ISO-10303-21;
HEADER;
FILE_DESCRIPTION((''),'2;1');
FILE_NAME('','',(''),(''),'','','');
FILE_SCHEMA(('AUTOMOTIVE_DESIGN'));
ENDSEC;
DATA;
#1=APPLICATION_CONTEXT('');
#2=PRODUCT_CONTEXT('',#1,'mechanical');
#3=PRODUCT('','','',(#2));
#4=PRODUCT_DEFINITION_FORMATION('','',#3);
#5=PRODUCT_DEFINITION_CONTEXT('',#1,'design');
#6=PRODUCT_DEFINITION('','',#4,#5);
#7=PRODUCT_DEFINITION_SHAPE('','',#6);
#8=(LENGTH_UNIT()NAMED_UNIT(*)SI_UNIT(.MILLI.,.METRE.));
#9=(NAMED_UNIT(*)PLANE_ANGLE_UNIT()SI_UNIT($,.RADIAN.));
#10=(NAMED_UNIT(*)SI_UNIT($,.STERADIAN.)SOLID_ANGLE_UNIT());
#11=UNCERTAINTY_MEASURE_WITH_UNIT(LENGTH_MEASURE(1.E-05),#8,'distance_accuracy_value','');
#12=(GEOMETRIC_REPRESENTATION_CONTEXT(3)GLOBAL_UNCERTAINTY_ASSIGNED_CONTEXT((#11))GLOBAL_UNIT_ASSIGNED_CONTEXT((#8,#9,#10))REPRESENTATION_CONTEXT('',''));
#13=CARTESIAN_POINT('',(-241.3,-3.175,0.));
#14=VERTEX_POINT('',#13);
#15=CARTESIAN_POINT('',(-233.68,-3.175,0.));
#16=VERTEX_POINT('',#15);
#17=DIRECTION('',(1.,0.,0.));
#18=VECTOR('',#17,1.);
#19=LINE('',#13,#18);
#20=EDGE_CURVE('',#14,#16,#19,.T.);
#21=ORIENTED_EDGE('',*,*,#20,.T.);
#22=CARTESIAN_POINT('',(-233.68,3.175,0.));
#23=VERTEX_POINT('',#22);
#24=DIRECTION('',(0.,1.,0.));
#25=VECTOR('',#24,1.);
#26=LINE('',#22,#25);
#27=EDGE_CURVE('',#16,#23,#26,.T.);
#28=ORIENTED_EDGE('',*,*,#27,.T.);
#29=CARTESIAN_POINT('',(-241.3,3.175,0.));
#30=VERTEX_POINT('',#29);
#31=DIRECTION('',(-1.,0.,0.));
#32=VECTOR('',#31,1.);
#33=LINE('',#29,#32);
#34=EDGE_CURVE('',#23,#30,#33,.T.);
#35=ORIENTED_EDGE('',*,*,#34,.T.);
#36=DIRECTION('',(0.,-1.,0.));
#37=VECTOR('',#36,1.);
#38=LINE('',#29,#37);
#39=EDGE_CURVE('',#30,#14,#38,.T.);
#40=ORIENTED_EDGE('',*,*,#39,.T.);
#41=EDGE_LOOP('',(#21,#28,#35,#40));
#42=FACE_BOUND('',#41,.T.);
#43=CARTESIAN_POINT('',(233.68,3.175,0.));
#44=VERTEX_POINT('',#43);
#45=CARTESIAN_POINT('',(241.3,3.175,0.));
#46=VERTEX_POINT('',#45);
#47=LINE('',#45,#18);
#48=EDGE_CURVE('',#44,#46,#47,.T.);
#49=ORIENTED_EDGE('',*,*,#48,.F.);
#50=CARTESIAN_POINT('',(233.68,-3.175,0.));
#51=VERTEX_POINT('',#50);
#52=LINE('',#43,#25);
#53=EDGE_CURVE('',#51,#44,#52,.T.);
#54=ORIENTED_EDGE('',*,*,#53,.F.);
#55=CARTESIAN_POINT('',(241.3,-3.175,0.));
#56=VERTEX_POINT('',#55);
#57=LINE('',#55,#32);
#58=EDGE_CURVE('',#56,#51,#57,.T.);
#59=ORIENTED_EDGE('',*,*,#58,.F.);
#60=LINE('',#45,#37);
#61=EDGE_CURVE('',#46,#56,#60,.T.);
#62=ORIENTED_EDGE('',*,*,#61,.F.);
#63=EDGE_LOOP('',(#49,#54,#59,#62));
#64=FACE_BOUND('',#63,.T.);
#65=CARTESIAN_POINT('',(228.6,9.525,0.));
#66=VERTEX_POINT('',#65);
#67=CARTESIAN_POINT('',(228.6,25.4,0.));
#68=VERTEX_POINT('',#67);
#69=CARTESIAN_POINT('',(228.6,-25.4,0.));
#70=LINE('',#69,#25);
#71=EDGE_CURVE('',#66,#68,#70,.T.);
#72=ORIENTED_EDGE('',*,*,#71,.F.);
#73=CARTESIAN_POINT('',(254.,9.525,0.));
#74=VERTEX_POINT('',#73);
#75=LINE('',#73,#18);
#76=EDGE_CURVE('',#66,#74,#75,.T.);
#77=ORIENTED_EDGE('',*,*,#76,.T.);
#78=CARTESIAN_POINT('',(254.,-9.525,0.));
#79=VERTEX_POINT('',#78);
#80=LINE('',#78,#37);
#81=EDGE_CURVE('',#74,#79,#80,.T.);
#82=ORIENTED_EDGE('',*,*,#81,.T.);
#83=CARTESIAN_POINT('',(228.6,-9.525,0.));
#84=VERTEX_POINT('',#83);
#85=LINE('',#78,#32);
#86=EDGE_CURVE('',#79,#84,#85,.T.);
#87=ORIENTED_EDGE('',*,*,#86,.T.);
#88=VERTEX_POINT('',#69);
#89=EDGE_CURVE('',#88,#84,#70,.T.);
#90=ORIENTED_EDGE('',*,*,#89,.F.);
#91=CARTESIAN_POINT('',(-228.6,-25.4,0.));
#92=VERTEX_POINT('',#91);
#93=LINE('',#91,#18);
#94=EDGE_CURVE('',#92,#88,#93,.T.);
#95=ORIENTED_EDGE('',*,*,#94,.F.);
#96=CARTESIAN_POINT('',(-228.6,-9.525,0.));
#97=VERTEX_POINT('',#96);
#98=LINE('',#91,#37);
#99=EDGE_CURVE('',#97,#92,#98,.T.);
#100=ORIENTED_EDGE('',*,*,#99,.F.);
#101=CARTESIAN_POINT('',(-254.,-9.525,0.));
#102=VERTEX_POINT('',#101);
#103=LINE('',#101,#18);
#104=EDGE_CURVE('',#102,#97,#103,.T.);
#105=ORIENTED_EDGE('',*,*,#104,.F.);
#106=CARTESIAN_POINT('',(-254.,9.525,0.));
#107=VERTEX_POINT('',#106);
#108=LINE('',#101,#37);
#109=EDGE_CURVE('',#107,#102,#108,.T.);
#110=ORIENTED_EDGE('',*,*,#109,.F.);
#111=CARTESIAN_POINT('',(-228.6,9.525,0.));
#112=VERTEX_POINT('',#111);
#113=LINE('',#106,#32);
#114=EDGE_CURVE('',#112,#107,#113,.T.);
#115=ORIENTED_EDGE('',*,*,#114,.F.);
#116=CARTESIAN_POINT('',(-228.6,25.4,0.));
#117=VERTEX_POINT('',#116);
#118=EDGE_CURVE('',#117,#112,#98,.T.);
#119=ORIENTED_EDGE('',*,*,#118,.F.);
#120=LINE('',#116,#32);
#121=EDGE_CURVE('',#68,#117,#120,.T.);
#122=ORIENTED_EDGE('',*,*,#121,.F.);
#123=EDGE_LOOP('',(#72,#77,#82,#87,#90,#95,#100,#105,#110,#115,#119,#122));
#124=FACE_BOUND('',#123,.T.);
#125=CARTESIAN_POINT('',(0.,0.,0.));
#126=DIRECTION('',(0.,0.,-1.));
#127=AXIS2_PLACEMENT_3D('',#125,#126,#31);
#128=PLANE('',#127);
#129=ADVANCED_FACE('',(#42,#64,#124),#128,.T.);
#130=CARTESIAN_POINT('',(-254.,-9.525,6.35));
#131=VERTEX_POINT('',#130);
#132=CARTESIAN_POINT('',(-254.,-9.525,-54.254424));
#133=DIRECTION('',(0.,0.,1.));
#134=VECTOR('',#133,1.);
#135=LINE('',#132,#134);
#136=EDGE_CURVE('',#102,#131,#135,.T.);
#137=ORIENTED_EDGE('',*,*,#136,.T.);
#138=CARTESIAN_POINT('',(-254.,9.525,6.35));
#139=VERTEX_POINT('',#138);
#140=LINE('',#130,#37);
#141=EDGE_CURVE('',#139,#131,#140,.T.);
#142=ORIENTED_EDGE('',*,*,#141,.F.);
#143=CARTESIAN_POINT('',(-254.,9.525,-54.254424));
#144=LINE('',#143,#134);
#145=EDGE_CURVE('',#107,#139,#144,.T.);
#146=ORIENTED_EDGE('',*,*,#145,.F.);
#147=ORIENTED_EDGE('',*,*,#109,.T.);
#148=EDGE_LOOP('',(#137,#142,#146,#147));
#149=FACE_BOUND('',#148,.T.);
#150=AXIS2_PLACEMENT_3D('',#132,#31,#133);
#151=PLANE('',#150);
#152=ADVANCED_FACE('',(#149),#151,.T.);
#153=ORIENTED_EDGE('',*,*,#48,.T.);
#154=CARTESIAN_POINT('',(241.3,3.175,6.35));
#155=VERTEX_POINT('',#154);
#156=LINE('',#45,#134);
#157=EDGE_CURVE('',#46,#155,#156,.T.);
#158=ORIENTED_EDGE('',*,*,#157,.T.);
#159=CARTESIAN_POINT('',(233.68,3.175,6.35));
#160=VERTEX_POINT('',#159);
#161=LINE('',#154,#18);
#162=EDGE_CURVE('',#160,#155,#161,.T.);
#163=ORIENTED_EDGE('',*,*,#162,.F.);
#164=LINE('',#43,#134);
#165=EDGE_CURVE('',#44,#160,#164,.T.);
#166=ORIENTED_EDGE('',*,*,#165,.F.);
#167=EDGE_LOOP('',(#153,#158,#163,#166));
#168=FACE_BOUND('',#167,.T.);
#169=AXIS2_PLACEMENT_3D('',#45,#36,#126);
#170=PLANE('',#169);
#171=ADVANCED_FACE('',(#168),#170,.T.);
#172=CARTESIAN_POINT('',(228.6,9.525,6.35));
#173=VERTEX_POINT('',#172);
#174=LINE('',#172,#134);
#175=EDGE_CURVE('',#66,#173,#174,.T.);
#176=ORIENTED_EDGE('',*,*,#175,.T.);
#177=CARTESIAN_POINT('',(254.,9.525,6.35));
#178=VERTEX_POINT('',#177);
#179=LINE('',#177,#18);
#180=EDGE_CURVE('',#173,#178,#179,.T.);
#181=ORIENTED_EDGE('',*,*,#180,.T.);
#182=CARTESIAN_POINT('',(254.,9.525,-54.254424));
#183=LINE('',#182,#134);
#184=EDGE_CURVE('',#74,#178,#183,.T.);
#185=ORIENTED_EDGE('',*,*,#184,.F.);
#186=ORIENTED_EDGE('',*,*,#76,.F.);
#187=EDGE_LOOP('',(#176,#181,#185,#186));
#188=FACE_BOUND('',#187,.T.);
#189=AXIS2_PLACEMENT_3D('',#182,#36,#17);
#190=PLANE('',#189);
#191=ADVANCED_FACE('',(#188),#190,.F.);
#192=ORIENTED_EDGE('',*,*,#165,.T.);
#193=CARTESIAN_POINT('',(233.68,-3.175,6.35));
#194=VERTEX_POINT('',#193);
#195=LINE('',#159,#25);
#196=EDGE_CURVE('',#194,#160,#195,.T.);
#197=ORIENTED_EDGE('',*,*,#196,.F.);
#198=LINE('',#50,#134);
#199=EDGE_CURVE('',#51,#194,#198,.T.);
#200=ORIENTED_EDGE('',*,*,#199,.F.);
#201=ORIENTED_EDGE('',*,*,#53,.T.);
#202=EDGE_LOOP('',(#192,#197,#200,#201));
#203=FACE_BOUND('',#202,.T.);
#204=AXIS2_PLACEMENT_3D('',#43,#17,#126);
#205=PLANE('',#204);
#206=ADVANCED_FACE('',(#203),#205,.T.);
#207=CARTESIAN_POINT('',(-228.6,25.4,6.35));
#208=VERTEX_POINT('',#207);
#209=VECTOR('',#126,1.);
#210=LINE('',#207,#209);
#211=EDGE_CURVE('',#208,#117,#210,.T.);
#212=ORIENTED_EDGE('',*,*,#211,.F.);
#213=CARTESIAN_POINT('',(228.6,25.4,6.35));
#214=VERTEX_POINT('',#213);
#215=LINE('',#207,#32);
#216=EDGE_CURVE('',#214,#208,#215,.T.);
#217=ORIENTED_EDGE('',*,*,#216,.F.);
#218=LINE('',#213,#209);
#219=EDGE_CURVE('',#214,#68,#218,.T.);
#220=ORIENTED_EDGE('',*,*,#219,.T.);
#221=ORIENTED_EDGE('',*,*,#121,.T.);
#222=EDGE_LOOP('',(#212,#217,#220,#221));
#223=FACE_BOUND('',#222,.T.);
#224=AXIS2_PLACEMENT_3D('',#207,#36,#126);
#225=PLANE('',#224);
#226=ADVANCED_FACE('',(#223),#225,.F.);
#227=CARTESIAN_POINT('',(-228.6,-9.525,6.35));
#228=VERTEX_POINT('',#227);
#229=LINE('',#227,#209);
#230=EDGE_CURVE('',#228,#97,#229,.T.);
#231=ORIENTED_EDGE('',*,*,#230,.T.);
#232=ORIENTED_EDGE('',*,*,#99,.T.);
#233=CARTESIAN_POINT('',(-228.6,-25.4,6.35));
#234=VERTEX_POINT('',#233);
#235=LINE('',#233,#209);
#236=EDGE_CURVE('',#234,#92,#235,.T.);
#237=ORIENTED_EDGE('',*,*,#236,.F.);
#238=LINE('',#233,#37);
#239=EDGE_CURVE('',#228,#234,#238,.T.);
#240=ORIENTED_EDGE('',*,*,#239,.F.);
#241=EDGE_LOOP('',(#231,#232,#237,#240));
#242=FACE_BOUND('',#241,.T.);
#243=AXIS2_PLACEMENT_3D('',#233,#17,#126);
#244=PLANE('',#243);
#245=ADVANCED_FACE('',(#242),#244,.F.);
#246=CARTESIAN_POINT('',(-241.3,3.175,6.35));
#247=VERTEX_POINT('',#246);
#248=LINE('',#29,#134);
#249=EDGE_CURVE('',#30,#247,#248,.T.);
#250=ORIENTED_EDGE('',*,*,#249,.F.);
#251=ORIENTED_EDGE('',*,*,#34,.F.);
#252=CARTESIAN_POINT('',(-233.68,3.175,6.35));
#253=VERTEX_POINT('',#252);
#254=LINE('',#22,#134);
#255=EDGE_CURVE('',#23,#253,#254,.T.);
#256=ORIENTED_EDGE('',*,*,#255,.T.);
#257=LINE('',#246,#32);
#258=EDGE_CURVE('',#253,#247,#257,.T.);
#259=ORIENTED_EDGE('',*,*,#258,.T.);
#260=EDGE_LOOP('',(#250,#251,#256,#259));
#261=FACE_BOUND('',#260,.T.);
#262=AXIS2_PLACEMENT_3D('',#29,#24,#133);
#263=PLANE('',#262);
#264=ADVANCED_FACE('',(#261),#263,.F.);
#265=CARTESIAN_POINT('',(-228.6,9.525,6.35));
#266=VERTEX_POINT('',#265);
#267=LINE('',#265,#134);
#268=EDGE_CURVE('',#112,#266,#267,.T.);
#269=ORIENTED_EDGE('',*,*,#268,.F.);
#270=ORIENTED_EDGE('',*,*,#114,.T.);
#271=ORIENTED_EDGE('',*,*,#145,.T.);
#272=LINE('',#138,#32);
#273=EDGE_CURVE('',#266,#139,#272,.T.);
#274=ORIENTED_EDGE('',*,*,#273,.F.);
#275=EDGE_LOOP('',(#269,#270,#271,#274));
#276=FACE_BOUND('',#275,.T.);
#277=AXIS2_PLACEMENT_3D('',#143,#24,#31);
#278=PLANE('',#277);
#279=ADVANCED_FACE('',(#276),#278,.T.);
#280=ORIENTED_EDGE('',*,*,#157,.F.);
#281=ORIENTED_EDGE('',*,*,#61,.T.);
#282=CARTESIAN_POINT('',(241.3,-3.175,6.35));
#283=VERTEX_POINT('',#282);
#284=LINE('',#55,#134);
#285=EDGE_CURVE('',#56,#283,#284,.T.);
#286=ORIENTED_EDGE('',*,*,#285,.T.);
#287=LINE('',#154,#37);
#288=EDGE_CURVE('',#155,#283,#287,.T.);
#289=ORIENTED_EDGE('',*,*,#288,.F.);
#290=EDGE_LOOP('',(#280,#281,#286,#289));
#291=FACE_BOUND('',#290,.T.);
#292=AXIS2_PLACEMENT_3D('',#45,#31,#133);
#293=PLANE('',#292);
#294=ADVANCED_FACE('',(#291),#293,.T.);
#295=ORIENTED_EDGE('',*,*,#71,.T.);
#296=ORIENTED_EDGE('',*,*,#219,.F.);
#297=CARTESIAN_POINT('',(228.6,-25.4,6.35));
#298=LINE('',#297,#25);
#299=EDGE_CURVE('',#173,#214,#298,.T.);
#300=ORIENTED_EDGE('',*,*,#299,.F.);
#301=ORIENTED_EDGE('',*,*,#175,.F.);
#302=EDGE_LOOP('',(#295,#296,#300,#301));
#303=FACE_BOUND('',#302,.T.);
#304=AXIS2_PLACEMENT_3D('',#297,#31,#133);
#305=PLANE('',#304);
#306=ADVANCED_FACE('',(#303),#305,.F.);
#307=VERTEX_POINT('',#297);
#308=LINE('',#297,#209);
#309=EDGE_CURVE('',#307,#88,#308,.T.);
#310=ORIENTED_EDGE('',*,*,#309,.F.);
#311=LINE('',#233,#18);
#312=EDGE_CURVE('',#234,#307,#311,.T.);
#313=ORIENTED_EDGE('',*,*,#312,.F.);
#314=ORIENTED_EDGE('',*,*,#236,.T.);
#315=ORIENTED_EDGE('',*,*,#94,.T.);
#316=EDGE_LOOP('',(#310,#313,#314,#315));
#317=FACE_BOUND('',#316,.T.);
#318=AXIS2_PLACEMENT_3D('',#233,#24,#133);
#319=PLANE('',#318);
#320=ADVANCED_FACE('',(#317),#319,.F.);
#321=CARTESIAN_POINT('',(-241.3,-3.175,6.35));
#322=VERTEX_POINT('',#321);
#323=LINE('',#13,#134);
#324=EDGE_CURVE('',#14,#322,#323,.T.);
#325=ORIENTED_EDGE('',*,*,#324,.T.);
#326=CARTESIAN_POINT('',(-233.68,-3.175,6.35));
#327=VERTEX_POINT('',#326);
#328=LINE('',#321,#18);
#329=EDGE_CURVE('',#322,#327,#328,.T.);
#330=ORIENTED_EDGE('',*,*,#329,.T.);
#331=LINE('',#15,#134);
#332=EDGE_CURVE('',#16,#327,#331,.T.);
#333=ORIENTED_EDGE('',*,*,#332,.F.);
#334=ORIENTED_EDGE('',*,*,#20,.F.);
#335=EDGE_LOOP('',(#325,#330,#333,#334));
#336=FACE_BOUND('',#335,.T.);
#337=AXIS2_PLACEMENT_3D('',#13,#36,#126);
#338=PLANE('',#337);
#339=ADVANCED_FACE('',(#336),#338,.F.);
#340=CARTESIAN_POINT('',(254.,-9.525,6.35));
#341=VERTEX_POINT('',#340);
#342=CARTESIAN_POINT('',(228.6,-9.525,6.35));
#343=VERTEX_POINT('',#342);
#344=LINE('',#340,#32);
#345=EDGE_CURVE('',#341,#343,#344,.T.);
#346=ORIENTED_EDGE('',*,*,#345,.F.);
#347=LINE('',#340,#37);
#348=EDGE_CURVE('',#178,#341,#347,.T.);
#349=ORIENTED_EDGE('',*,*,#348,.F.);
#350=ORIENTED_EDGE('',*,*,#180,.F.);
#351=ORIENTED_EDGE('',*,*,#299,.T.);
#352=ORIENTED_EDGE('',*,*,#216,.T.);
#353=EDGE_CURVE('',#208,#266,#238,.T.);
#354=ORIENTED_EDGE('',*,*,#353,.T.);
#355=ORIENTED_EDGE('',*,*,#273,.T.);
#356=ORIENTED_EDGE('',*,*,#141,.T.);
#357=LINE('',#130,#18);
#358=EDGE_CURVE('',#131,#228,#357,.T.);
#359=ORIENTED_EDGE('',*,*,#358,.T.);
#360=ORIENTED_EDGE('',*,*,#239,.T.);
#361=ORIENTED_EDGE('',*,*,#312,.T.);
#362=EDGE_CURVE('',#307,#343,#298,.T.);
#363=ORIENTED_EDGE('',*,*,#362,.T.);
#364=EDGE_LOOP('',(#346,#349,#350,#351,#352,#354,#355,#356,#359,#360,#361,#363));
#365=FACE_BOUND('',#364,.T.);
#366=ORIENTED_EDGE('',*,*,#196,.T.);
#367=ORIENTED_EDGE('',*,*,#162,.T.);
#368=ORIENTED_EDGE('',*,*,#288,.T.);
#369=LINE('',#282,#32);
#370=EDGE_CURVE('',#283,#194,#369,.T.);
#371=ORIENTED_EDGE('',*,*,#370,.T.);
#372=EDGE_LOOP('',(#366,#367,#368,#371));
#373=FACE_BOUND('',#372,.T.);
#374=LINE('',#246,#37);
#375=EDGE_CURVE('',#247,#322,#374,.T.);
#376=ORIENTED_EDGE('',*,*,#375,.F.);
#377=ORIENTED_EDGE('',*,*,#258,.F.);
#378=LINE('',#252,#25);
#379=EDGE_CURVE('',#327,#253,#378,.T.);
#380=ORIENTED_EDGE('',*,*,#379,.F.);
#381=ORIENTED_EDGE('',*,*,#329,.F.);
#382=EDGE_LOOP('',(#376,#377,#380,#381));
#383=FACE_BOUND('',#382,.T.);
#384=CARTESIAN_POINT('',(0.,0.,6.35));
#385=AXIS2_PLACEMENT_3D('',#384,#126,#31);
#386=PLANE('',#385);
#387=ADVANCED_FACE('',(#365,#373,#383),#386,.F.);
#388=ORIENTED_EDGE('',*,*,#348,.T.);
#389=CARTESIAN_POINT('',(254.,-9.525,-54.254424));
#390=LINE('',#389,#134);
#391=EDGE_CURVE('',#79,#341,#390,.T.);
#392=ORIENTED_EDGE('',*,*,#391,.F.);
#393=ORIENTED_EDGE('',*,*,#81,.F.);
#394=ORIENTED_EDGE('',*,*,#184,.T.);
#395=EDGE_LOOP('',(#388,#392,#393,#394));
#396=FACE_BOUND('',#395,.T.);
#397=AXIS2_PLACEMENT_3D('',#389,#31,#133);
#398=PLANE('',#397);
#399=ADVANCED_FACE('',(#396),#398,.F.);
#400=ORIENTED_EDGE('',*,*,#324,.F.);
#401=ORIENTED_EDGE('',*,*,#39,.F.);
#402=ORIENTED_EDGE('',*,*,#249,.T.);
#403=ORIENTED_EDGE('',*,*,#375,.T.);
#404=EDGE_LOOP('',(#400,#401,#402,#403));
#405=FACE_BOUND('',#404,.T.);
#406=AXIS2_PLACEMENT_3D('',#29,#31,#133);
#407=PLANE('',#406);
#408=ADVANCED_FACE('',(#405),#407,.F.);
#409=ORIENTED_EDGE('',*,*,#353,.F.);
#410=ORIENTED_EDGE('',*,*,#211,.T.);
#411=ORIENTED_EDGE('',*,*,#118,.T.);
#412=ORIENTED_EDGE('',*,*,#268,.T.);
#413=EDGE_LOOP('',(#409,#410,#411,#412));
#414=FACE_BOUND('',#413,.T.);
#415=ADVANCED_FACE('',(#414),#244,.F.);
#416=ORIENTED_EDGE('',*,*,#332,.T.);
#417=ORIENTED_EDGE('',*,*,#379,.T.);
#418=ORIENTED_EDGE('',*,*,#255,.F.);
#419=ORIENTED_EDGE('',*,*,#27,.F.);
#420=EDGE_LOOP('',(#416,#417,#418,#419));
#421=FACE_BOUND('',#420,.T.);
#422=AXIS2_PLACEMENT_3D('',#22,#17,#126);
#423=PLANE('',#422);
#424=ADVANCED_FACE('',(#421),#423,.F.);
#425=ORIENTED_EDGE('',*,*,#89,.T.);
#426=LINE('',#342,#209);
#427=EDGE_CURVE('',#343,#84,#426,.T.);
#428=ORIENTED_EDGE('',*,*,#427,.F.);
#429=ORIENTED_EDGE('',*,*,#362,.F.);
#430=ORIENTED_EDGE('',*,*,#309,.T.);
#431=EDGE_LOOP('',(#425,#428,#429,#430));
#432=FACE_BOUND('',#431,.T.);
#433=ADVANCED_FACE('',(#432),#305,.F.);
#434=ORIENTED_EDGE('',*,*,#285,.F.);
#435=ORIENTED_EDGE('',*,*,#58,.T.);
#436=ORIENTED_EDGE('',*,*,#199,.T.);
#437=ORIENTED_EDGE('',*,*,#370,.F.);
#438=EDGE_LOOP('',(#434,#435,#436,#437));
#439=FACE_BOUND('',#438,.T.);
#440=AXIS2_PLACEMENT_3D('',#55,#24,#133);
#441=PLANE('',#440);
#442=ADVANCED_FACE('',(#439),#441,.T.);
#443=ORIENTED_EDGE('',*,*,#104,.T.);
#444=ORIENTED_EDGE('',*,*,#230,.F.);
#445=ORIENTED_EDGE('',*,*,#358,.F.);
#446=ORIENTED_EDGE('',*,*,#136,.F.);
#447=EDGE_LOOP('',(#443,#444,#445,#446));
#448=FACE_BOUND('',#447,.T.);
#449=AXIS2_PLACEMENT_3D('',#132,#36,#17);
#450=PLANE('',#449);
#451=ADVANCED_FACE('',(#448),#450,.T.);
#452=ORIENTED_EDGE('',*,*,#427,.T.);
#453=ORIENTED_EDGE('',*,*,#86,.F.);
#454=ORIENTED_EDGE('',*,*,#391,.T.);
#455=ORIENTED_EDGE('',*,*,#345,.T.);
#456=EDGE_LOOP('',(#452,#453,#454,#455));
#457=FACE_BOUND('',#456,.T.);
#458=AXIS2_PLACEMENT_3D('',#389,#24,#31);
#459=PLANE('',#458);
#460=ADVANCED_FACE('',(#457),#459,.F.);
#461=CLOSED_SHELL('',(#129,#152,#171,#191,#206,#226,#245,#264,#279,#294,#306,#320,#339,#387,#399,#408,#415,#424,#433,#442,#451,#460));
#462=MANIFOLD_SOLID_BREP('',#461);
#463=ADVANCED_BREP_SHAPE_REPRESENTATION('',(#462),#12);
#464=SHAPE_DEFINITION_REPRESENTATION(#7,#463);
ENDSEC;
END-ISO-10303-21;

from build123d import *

# Parameters (mm, degrees)
SKETCH1_W           = 457.2
SKETCH1_H           = 50.8
BOSS_EXTRUDE1_DEPTH = 6.35
SKETCH2_W           = 50.8
SKETCH2_H           = 19.05
BOSS_EXTRUDE2_DEPTH = 6.35
SKETCH3_W           = 7.62
SKETCH3_H           = 6.35
CUT_EXTRUDE1_DEPTH  = 7.35


with BuildPart() as part:
    # Sketch1 → Boss-Extrude1 (new body)
    with BuildSketch(Plane.XY):
        Rectangle(SKETCH1_W, SKETCH1_H)
    extrude(amount=BOSS_EXTRUDE1_DEPTH)

    # Sketch2 → Boss-Extrude2 (add)
    with BuildSketch(Plane.XY.offset(6.35)):
        with Locations((-228.6, 0)):
            Rectangle(SKETCH2_W, SKETCH2_H)
    boss_extrude2 = extrude(amount=-BOSS_EXTRUDE2_DEPTH)

    # Sketch3 → Cut-Extrude1 (cut, through all)
    with BuildSketch(Plane.XY.offset(6.35)):
        with Locations((-237.49, 0)):
            Rectangle(SKETCH3_W, SKETCH3_H)
    cut_extrude1 = extrude(amount=-CUT_EXTRUDE1_DEPTH, mode=Mode.SUBTRACT)

    # Mirror1: Boss-Extrude2, Cut-Extrude1 across plane
    add(boss_extrude2.mirror(Plane(origin=(0, 0, 0), x_dir=(0, 0, 1), z_dir=(1, 0, 0))))
    add(cut_extrude1.mirror(Plane(origin=(0, 0, 0), x_dir=(0, 0, 1), z_dir=(1, 0, 0))), mode=Mode.SUBTRACT)


solid = part.part
